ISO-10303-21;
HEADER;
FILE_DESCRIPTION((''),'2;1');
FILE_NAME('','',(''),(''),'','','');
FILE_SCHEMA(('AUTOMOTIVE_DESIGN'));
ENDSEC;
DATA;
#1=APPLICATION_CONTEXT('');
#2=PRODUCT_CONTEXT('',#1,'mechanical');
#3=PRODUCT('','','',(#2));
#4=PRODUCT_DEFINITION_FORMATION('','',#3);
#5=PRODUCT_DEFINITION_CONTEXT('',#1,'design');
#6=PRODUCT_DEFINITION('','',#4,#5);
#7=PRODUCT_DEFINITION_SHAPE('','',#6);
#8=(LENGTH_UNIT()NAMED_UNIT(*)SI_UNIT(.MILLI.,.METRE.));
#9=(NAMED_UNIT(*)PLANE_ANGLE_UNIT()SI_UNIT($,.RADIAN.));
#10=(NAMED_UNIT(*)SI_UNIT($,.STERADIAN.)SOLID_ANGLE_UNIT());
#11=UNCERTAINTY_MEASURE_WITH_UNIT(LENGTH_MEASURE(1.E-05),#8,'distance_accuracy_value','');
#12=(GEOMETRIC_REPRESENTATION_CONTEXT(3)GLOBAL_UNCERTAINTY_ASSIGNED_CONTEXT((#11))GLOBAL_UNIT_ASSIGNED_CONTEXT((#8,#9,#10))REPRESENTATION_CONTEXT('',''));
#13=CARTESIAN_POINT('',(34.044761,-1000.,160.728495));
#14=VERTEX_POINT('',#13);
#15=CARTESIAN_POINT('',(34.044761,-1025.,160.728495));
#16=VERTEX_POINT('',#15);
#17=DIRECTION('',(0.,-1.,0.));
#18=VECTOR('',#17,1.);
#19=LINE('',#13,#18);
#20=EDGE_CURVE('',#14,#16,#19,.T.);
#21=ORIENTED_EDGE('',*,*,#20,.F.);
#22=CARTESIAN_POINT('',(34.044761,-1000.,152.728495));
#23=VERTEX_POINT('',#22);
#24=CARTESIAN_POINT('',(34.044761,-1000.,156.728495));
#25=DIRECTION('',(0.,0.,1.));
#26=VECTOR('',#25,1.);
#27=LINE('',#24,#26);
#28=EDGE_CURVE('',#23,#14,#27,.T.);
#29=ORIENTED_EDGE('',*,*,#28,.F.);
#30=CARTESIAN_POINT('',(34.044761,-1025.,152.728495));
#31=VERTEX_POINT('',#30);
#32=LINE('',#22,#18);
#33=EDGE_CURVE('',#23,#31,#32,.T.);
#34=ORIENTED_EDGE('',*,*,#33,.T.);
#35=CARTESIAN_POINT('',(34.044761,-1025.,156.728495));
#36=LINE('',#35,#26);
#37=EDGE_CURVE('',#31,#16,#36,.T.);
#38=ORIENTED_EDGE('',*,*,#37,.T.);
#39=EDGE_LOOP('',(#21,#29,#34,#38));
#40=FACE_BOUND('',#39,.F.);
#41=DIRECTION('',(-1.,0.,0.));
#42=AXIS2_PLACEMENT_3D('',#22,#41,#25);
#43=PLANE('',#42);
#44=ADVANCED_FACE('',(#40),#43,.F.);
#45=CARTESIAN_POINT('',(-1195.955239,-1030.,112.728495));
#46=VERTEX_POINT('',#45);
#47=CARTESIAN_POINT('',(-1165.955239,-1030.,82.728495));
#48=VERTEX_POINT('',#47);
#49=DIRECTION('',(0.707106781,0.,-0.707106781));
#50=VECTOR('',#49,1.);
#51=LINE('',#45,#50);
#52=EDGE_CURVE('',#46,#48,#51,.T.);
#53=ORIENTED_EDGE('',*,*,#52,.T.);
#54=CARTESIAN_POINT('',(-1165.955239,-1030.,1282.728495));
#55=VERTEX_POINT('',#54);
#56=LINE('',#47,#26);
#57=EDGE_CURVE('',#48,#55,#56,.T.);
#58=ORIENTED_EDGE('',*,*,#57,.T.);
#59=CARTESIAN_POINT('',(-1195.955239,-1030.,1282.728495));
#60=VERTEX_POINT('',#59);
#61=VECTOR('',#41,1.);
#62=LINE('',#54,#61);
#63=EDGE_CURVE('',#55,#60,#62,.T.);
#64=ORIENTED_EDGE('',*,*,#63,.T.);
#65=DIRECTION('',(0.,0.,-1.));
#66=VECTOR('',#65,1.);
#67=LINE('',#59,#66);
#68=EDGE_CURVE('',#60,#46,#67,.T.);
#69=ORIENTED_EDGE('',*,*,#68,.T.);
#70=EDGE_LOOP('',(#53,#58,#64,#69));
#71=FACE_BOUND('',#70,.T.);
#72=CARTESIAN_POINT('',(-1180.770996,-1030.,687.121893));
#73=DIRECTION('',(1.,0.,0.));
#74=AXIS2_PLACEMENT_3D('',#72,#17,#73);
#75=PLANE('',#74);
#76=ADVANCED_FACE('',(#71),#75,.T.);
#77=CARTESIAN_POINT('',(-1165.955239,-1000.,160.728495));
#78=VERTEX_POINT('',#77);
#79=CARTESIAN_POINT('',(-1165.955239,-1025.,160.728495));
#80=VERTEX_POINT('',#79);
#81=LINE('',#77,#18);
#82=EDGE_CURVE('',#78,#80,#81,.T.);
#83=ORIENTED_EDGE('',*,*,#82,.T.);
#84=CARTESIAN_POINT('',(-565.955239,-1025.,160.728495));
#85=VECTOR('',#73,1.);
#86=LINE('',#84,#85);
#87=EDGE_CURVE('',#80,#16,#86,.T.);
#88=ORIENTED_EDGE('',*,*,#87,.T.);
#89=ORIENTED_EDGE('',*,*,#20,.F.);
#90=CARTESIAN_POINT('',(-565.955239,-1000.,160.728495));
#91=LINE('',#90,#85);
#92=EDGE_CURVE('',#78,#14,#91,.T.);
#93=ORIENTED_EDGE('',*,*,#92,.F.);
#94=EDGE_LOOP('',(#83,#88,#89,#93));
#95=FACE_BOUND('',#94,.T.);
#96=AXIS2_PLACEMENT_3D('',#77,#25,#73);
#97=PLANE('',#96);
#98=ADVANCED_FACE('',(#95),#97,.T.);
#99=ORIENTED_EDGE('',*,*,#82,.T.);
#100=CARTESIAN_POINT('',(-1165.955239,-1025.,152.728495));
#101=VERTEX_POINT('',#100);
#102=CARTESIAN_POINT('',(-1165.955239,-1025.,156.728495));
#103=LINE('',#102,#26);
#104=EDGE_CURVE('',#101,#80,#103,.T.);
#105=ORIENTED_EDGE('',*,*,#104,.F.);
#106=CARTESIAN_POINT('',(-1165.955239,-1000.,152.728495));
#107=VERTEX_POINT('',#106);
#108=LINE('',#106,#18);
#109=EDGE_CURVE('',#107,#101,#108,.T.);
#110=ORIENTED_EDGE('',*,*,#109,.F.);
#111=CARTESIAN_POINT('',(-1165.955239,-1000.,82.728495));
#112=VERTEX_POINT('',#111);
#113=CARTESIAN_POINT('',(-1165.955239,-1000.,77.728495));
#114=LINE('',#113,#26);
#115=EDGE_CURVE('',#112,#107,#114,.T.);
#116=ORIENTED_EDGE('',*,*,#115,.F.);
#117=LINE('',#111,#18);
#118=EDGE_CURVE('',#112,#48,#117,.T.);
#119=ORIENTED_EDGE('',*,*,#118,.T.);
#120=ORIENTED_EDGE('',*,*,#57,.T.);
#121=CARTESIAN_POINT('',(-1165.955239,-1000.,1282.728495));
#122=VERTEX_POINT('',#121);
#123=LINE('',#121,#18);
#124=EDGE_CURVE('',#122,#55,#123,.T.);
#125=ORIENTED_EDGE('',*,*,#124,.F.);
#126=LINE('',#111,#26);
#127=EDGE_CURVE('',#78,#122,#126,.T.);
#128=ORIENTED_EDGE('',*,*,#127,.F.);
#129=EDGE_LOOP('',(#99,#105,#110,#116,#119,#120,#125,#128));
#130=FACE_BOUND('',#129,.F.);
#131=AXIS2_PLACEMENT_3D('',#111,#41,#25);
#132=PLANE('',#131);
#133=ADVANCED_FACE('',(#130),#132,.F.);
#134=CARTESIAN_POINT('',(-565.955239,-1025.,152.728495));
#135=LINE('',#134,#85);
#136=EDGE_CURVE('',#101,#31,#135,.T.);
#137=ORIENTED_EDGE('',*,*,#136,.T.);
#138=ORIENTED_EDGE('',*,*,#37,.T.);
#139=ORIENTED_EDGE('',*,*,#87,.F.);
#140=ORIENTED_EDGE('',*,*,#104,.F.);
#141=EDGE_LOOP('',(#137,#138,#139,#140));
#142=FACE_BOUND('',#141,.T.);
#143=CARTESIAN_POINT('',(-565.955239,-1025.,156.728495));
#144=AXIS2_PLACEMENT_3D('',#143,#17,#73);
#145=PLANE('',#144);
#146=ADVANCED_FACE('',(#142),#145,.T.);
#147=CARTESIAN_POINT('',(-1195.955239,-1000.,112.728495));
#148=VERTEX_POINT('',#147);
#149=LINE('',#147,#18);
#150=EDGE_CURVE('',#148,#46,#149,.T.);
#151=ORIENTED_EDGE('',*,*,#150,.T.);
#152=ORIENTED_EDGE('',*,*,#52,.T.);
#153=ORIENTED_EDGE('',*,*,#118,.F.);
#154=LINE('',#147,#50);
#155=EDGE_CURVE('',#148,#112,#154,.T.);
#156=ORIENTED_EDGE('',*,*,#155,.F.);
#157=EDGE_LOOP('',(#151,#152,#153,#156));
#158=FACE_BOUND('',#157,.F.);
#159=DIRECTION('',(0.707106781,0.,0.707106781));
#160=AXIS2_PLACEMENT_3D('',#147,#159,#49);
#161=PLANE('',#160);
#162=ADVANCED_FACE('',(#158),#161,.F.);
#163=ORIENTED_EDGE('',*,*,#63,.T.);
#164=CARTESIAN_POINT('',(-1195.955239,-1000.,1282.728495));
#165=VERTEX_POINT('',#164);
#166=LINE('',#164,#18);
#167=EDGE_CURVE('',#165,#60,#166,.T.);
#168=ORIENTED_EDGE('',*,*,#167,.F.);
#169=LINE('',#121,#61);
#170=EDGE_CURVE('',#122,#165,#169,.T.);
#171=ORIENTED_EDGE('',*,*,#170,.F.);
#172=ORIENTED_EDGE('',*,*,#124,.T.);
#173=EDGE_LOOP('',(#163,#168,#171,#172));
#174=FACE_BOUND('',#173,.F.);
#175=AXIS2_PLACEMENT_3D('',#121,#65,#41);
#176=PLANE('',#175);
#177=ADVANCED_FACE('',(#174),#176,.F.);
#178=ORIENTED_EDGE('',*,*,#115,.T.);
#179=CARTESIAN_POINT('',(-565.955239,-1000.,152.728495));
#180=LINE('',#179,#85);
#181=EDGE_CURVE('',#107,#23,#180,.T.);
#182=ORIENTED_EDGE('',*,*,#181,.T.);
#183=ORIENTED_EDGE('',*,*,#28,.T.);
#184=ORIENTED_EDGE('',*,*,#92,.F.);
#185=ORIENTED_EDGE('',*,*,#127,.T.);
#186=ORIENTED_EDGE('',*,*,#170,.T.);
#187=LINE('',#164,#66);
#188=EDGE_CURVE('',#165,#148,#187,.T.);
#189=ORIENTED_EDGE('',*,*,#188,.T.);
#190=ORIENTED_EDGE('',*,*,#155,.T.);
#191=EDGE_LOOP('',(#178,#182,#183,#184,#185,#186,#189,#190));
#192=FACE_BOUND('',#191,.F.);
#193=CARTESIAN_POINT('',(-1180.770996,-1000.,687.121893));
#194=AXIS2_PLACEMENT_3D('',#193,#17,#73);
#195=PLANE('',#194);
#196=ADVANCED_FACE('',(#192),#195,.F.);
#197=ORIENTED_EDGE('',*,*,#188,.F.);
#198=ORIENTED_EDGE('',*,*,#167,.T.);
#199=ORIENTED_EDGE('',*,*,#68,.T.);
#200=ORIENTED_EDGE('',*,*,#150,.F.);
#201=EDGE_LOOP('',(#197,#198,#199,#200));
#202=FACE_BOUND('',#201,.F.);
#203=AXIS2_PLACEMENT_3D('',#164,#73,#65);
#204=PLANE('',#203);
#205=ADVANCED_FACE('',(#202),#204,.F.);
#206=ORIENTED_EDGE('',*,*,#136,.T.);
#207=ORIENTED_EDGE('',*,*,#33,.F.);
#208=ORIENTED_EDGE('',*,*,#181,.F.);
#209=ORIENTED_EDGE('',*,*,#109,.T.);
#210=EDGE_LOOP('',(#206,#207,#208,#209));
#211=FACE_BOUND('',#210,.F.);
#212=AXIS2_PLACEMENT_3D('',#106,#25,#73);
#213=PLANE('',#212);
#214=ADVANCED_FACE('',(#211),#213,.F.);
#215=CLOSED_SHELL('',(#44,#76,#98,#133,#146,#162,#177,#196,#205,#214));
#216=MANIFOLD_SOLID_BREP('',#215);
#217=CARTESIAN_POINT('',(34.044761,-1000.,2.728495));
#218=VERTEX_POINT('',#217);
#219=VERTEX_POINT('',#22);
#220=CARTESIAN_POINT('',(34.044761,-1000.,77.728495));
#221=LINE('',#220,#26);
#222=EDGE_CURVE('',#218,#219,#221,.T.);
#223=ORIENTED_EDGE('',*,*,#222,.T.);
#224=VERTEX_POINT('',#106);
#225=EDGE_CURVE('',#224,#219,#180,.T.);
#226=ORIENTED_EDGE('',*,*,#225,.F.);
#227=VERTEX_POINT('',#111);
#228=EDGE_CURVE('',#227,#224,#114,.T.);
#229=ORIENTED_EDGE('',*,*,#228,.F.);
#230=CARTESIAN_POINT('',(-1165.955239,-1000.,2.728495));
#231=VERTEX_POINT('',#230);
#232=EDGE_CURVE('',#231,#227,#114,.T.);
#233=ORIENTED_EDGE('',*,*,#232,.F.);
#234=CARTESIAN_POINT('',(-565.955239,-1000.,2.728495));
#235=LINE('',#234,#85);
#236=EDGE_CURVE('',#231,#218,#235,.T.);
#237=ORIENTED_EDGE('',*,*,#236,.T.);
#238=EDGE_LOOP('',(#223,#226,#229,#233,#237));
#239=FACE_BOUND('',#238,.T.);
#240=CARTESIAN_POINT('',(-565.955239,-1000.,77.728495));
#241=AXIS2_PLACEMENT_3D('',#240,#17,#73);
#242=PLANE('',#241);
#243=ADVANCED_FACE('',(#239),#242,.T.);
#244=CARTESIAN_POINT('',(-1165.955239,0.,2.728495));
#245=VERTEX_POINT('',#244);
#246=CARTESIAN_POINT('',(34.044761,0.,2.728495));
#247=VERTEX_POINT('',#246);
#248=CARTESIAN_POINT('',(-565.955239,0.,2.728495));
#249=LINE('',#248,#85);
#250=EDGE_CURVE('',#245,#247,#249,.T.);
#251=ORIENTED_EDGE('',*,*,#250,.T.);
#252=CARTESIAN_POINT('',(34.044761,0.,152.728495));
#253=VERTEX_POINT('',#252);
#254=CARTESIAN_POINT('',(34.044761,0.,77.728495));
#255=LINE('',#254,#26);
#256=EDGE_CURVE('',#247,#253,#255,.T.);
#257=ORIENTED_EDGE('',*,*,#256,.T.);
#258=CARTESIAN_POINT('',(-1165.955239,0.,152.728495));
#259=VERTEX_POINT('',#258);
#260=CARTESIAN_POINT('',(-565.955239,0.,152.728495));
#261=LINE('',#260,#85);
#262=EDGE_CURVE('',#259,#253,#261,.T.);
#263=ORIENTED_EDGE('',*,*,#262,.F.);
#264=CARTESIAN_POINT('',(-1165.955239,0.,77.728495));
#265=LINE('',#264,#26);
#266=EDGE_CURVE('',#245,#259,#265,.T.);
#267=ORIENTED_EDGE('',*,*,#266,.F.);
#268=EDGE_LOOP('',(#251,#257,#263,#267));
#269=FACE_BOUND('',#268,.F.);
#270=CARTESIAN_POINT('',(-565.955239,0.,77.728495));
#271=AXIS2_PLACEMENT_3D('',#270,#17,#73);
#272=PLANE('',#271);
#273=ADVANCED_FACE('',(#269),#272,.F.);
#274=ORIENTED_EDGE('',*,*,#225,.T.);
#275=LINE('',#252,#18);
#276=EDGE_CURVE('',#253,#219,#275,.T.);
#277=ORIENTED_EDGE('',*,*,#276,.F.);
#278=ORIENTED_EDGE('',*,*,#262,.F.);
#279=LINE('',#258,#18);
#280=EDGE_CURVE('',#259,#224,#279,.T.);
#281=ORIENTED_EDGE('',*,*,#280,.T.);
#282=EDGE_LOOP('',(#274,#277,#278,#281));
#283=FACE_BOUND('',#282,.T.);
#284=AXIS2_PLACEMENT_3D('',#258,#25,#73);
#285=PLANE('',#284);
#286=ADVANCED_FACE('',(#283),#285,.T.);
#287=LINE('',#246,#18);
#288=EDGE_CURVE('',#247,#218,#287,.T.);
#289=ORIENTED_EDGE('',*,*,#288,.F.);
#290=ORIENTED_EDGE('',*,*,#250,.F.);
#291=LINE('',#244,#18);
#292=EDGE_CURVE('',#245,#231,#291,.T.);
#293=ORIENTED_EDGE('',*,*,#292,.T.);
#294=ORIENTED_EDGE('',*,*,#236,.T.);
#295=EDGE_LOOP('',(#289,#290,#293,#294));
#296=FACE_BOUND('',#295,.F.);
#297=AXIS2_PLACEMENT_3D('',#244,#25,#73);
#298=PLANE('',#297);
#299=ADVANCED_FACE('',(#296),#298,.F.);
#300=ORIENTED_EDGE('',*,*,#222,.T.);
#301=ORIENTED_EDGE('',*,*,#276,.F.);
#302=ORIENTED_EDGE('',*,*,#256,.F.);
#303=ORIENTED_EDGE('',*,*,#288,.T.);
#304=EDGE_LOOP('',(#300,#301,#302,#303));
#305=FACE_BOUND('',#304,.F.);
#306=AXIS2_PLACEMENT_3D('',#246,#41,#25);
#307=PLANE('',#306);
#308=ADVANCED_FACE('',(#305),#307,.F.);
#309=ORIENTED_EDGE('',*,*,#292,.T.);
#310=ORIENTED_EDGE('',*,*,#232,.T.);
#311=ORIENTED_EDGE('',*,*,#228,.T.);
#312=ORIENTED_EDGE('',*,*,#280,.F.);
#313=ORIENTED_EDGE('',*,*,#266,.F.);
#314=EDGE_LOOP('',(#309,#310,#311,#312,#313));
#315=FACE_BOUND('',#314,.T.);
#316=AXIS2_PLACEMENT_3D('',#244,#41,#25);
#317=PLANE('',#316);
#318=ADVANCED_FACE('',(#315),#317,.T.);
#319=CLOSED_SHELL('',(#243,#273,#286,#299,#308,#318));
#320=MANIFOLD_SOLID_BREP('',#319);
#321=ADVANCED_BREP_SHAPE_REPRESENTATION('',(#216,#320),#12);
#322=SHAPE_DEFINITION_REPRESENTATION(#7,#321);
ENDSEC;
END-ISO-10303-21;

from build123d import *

# Parameters (mm, degrees)
F0_W     = 1200
F0_H     = 150
F1_DEPTH = 1000
F3_W     = 1200
F3_H     = 8
F4_DEPTH = 25
F7_DEPTH = 30


with BuildPart() as f1:
    # F0 (on Front) → F1 (new body)
    with BuildSketch(Plane.XZ):
        with Locations((-565.955239, 77.728495)):
            Rectangle(F0_W, F0_H)
    extrude(amount=F1_DEPTH)



with BuildPart() as f4:
    # F3 (on face) → F4 (new body)
    with BuildSketch(Plane.XZ.offset(1000)):
        with Locations((-565.955239, 156.728495)):
            Rectangle(F3_W, F3_H)
    extrude(amount=F4_DEPTH)


with BuildPart() as f1_1:
    add(f1.part)

    add(f4.part)  # F7 merges F4
    # F6 (on face) → F7 (join)
    with BuildSketch(Plane.XZ.offset(1000)):
        Polygon((-1165.955239, 152.728495), (-1165.955239, 1282.728495), (-1195.955239, 1282.728495), (-1195.955239, 152.728495), (-1195.955239, 112.728495), (-1165.955239, 82.728495), align=None)
    extrude(amount=F7_DEPTH)


solid = f1_1.part
